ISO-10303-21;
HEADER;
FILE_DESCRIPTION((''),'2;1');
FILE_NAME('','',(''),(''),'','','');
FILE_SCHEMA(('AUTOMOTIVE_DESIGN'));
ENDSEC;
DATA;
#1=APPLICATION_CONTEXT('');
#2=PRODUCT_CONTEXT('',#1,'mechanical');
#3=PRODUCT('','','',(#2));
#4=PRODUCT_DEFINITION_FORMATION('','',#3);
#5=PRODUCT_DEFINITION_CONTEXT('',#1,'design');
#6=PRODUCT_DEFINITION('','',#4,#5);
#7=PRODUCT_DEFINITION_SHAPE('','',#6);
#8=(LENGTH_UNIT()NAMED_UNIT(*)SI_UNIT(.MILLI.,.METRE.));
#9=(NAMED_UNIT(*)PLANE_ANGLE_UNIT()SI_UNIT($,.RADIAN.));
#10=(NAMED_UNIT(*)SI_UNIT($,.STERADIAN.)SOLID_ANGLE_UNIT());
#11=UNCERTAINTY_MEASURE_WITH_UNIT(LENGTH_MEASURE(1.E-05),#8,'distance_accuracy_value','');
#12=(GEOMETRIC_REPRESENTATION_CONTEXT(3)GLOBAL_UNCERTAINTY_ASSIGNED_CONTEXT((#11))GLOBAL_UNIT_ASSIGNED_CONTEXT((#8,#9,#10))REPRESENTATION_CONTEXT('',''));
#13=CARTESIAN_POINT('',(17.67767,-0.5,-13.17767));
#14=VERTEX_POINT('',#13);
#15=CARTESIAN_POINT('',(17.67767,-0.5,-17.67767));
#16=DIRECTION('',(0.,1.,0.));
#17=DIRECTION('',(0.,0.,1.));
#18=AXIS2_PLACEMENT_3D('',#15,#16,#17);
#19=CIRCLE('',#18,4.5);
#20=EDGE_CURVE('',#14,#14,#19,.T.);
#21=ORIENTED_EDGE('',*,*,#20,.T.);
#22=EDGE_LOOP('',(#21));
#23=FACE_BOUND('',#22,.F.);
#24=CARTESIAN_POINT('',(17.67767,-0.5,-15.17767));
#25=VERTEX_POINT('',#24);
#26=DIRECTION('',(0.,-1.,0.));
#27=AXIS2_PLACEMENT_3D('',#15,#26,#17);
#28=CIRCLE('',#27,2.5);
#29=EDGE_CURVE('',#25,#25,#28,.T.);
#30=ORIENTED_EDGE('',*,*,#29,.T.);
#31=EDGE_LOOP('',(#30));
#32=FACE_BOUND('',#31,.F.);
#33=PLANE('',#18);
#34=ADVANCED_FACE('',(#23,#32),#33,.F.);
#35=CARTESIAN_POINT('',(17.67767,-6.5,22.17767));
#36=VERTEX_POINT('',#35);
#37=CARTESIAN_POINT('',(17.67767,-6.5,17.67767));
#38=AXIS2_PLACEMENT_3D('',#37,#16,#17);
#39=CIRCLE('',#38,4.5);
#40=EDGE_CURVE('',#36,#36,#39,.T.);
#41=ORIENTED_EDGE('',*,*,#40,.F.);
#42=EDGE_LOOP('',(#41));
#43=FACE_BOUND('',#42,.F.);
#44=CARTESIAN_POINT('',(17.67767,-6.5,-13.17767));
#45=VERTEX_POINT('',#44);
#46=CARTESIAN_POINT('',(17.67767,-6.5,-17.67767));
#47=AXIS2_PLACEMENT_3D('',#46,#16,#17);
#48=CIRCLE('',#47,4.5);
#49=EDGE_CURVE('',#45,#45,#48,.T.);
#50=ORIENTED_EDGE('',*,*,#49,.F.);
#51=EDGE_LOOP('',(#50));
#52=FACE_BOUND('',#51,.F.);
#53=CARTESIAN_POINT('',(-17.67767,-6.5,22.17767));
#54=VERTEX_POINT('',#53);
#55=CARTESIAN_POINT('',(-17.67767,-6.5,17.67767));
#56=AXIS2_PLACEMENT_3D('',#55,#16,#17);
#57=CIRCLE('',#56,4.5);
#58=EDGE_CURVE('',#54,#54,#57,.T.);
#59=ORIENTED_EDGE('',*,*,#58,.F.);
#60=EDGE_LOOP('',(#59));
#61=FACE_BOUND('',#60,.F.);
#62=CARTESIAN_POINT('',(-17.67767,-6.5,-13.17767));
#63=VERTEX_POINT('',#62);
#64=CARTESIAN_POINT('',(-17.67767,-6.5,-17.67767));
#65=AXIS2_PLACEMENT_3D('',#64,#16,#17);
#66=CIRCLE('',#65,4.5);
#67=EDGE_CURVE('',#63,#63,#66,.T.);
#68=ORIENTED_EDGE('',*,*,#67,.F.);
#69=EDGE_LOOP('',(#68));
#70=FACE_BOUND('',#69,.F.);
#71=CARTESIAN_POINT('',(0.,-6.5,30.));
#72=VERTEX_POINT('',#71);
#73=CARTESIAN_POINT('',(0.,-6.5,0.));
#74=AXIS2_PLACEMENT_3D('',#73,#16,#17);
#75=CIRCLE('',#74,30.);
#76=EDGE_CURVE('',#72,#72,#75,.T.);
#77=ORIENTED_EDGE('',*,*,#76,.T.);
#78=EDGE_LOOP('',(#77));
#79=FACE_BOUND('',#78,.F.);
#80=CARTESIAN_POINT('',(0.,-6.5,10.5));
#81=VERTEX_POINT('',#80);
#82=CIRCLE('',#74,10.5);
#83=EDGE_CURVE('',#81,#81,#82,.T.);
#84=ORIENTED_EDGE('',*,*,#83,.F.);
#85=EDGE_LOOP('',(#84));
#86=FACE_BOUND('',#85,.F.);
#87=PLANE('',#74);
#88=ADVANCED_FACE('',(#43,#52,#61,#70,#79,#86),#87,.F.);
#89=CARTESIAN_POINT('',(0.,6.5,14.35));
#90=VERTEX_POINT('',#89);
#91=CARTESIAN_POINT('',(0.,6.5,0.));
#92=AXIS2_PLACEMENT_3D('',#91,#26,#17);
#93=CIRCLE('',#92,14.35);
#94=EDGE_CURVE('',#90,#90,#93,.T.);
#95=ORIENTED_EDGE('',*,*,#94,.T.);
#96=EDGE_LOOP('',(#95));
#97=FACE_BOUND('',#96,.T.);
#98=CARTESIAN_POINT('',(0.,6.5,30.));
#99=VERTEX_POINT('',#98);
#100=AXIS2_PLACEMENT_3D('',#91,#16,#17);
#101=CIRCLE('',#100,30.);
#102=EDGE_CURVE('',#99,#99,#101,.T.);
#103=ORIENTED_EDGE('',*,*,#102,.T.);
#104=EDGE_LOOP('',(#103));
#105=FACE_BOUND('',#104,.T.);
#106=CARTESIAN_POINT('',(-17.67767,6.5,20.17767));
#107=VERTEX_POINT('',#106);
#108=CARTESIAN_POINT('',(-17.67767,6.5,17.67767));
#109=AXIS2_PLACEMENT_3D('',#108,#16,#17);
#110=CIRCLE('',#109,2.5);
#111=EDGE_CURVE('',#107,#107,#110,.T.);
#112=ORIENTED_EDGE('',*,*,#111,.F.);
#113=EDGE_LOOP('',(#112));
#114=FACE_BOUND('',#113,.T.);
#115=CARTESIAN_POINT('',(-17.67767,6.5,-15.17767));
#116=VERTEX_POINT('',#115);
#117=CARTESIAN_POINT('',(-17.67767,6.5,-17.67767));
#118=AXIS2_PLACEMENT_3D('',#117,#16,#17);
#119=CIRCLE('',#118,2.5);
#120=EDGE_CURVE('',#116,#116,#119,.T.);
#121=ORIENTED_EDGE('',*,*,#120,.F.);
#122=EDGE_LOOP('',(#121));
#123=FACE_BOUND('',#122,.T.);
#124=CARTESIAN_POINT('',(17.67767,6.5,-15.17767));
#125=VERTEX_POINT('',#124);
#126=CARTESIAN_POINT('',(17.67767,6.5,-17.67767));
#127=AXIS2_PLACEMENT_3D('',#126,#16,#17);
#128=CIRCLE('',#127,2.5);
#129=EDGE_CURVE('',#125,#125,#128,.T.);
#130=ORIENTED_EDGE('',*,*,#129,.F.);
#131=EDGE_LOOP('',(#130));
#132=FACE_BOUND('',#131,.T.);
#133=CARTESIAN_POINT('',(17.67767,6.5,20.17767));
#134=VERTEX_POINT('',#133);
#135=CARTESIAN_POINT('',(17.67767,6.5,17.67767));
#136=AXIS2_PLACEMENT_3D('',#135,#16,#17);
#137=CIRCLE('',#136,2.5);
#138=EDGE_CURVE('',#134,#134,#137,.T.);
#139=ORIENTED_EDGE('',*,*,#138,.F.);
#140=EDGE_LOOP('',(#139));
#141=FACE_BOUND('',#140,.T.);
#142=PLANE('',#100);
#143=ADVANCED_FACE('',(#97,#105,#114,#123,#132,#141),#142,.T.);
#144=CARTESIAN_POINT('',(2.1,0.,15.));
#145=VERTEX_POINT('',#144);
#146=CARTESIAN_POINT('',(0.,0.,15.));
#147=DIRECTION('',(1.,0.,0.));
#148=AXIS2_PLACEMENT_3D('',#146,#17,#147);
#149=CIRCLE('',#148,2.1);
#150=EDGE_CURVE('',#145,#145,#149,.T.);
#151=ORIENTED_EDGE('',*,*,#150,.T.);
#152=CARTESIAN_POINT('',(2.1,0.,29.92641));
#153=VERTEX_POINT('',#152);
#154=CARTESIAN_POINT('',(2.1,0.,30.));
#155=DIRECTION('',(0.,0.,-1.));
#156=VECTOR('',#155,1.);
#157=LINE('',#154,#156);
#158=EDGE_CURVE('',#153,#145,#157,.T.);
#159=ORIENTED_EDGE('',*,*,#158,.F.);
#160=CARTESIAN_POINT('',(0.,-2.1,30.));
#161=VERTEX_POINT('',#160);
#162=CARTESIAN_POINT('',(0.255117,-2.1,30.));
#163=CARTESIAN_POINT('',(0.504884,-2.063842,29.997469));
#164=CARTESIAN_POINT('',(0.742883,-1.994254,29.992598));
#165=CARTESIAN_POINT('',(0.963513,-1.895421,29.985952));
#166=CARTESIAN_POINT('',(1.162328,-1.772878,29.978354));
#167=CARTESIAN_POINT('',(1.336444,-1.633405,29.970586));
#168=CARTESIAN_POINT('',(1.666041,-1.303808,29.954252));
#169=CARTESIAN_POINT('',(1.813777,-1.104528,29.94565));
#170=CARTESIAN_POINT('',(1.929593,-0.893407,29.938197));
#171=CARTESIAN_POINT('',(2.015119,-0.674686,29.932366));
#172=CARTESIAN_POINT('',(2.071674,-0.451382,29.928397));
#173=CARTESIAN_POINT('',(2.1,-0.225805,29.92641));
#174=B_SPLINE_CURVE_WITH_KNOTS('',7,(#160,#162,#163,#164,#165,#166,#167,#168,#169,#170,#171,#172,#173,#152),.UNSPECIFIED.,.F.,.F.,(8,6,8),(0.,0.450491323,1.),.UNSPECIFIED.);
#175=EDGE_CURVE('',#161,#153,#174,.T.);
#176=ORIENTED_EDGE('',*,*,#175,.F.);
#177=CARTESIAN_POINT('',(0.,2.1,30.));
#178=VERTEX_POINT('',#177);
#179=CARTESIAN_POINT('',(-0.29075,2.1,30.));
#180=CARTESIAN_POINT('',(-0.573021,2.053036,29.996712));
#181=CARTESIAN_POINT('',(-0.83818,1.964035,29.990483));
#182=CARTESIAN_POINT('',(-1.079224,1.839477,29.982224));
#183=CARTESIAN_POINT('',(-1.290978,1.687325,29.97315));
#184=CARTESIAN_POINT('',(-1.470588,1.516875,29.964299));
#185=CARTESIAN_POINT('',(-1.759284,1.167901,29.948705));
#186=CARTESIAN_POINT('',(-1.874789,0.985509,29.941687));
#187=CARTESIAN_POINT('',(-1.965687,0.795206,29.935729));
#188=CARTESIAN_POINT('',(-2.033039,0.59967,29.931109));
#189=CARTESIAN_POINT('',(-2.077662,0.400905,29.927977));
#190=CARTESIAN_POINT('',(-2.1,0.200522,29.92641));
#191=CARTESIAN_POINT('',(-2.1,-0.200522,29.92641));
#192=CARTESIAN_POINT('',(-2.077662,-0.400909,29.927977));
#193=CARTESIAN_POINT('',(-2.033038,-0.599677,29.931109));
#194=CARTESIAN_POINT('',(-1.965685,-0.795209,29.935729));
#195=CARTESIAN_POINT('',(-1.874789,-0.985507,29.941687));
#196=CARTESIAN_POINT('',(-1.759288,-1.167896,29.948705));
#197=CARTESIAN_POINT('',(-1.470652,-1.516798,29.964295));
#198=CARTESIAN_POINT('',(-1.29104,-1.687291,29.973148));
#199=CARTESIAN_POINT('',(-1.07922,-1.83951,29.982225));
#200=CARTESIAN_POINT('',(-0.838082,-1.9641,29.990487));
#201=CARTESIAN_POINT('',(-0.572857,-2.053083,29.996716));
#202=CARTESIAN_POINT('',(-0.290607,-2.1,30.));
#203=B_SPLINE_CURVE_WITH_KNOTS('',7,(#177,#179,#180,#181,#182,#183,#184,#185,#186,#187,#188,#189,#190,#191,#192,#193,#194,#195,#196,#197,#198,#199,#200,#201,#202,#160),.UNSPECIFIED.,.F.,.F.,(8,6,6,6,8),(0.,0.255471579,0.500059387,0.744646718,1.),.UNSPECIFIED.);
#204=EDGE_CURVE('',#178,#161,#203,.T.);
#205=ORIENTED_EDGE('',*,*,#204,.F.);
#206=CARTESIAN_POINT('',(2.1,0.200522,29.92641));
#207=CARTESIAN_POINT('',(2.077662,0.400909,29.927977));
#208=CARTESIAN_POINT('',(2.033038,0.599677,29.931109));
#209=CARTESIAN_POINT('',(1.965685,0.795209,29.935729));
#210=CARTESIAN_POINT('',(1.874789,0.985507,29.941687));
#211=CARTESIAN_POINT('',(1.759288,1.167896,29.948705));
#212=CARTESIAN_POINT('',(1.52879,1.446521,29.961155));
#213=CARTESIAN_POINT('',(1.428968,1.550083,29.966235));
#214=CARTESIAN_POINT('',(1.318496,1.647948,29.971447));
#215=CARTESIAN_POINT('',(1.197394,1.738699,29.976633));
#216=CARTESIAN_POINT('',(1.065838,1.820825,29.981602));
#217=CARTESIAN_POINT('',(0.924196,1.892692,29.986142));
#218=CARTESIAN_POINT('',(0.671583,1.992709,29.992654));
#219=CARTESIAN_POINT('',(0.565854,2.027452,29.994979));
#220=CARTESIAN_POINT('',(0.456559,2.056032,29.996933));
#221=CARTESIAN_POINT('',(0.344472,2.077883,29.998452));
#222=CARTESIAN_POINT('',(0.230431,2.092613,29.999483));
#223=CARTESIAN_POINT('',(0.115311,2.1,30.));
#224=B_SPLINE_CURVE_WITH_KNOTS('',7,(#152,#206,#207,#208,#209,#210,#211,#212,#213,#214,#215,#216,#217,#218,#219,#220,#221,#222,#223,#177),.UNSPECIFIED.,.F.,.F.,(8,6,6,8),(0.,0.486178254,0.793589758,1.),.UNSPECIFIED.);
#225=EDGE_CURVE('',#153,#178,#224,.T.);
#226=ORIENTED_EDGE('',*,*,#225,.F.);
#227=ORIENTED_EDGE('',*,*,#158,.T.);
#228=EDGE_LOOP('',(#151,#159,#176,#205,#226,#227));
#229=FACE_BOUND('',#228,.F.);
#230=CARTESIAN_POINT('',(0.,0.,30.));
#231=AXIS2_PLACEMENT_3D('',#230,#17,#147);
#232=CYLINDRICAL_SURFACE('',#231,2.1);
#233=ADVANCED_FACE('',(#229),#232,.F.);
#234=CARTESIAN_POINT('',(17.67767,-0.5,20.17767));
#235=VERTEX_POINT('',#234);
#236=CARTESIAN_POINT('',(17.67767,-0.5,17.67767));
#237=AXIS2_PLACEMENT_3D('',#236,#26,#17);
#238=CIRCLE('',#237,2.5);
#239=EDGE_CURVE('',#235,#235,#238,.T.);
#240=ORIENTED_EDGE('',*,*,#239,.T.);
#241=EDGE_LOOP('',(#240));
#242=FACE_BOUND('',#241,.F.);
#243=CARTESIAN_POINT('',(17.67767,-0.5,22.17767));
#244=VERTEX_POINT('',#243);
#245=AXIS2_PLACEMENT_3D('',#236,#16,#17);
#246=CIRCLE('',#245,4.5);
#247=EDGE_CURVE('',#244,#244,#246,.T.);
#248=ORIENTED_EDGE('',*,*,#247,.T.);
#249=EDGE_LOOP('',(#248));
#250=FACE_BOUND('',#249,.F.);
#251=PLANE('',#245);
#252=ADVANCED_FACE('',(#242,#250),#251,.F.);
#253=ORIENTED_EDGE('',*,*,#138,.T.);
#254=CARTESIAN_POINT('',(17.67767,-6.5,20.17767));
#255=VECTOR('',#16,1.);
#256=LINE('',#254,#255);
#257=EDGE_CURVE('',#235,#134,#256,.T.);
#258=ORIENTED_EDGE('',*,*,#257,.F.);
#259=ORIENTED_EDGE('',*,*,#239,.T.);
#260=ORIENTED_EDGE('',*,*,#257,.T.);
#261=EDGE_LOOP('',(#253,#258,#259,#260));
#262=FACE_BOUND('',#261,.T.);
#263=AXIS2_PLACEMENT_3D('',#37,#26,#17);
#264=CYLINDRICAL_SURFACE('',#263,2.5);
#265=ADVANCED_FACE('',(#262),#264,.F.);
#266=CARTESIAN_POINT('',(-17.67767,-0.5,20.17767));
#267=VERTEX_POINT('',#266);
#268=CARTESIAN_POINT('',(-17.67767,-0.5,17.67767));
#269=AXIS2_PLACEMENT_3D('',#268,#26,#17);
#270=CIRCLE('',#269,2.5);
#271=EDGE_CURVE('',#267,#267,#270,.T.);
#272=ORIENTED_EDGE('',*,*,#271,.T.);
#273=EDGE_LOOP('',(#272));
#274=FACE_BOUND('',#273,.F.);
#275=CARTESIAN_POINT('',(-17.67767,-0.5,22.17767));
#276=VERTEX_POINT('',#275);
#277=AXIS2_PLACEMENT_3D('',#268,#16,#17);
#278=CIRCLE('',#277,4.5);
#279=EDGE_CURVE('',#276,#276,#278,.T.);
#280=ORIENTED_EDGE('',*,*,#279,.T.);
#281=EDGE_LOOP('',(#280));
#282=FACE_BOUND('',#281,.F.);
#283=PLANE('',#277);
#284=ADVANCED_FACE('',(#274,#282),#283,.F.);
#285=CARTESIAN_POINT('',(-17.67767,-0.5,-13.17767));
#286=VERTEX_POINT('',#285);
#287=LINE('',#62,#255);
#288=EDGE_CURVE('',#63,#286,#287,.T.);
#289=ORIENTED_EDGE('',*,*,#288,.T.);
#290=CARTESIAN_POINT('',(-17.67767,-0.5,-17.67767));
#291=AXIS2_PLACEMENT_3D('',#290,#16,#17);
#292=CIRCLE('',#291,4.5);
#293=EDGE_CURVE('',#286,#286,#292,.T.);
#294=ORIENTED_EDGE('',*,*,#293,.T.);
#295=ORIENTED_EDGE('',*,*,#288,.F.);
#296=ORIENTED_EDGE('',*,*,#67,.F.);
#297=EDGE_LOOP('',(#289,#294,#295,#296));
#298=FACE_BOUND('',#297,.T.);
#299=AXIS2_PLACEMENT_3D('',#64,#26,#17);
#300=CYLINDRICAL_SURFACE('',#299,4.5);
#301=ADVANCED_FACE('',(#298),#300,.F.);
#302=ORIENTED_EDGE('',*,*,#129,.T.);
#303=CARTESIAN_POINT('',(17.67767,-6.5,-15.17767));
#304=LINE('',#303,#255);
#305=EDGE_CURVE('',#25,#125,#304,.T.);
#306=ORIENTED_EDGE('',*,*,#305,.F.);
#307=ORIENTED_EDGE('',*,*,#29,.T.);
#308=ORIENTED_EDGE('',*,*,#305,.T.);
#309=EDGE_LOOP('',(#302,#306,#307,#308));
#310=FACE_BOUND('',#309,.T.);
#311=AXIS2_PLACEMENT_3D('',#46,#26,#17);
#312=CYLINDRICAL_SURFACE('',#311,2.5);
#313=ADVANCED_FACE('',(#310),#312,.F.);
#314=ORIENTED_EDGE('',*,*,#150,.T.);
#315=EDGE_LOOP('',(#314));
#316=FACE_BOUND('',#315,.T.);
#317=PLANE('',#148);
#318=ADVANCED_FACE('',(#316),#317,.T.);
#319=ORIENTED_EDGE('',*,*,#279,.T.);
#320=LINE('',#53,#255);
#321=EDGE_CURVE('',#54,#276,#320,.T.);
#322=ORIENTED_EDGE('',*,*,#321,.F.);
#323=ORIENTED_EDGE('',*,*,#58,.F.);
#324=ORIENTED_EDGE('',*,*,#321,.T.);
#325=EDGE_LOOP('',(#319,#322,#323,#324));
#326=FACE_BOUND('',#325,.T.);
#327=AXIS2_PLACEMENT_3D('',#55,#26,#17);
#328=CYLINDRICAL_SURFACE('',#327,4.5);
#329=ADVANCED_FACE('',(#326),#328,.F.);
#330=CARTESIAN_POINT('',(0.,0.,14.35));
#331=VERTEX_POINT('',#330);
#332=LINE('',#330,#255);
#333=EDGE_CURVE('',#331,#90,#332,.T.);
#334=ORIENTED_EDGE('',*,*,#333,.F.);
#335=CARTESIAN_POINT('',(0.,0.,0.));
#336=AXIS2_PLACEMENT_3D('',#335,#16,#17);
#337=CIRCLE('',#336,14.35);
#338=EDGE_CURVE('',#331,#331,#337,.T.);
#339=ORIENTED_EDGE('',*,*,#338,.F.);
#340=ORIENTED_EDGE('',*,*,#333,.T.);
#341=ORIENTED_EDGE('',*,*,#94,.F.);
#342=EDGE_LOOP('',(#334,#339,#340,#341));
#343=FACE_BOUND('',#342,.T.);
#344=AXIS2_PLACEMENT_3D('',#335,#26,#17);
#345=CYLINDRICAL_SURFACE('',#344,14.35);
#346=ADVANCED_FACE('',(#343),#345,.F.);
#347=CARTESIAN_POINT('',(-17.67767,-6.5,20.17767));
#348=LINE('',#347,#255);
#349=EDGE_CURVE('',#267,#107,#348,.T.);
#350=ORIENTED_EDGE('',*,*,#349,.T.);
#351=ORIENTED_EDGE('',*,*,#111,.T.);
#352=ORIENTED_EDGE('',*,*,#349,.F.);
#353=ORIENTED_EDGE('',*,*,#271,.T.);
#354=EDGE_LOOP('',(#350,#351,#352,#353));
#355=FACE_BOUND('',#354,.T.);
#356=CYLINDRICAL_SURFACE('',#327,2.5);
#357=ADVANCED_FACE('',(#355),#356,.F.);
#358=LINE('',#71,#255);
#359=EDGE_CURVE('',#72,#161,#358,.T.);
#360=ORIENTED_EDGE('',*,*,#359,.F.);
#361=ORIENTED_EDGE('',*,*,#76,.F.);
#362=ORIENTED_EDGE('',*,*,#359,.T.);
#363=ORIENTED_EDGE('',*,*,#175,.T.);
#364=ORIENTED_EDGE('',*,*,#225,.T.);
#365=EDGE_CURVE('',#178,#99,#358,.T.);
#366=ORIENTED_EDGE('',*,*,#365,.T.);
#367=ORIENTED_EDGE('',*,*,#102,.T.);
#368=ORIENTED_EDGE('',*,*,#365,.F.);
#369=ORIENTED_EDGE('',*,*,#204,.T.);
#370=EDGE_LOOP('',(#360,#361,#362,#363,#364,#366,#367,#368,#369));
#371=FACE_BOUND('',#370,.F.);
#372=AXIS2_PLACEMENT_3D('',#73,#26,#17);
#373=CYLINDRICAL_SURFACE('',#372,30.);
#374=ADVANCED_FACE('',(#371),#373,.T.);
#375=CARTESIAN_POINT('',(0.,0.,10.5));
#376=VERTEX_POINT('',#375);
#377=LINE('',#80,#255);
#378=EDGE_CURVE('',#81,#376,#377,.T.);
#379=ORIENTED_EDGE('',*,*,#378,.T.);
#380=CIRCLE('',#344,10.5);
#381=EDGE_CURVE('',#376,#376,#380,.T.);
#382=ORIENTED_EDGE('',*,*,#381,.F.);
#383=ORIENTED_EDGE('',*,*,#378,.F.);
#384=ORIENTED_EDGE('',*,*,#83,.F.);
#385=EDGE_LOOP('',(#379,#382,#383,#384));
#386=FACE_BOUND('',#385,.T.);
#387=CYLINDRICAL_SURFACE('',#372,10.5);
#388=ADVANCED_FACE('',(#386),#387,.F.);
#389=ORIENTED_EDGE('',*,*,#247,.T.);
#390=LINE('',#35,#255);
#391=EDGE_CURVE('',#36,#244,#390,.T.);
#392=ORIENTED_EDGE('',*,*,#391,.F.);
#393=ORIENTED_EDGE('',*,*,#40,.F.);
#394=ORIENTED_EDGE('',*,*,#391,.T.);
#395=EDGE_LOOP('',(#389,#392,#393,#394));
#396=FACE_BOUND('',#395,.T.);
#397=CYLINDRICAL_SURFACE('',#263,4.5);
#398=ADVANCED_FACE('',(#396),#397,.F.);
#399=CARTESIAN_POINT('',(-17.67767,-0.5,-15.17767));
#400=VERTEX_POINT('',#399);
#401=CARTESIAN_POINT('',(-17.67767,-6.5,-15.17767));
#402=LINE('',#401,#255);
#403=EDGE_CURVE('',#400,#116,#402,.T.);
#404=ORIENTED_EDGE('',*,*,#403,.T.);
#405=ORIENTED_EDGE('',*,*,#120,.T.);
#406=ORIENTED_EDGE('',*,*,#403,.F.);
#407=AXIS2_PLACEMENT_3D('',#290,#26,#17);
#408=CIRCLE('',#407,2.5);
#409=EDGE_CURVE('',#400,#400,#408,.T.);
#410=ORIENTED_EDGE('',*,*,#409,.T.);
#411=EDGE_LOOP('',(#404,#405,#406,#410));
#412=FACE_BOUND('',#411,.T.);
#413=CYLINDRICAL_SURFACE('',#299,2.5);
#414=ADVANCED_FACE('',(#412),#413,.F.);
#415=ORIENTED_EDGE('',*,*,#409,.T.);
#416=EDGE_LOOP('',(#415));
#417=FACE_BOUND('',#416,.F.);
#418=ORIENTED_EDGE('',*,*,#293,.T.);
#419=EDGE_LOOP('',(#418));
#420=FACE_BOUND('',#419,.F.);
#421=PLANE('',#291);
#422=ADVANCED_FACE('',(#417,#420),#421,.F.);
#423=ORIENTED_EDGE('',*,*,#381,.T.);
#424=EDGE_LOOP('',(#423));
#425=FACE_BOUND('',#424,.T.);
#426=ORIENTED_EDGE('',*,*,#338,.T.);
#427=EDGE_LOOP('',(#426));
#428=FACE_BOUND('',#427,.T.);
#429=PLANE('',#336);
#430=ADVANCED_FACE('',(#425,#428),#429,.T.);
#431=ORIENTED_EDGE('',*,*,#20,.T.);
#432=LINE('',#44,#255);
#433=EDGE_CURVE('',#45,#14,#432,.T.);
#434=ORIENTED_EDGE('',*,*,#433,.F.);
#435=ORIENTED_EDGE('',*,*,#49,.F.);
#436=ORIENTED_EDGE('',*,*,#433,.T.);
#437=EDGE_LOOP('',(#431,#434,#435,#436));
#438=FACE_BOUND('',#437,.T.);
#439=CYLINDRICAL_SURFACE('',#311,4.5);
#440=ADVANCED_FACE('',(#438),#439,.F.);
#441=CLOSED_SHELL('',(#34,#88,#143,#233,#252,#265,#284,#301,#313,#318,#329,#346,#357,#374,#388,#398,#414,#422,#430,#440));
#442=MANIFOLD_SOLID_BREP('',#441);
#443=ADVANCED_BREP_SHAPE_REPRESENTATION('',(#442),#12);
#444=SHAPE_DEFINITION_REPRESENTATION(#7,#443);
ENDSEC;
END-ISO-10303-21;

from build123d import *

# Parameters (mm, degrees)
BOSS_EXTRUDE1_DEPTH      = 6.5
BOSS_EXTRUDE1_DEPTH_BACK = 6.5
SKETCH1_R                = 30
SKETCH1_R_2              = 10.5
SKETCH1_R_3              = 2.5
SKETCH2_R                = 14.35
CUT_EXTRUDE1_DEPTH       = 7.9375
CUT_EXTRUDE3_START       = -6.5
SKETCH3_R                = 4.5
CUT_EXTRUDE3_DEPTH       = 6
CUT_EXTRUDE4_START       = 30
SKETCH4_R                = 2.1
CUT_EXTRUDE4_DEPTH       = 15


with BuildPart() as part:
    # Sketch1 → Boss-Extrude1 (new, two sides: drawn at the far end of the back side and taken through both)
    with BuildSketch(Plane(origin=(0, 0, 0), x_dir=(1, 0, 0), z_dir=(0, 1, 0)).offset(-BOSS_EXTRUDE1_DEPTH_BACK)):
        with Locations(Location((0, 0, 0), (0, 0, 270))):
            Circle(SKETCH1_R)
        with Locations(Location((0, 0, 0), (0, 0, 270))):
            Circle(SKETCH1_R_2, mode=Mode.SUBTRACT)
        with Locations(Location((17.67766953, 17.67766953, 0), (0, 0, 270))):
            Circle(SKETCH1_R_3, mode=Mode.SUBTRACT)
        with Locations(Location((17.67766953, -17.67766953, 0), (0, 0, 270))):
            Circle(SKETCH1_R_3, mode=Mode.SUBTRACT)
        with Locations(Location((-17.67766953, -17.67766953, 0), (0, 0, 270))):
            Circle(SKETCH1_R_3, mode=Mode.SUBTRACT)
        with Locations(Location((-17.67766953, 17.67766953, 0), (0, 0, 270))):
            Circle(SKETCH1_R_3, mode=Mode.SUBTRACT)
    extrude(amount=BOSS_EXTRUDE1_DEPTH + BOSS_EXTRUDE1_DEPTH_BACK)

    # Sketch2 → Cut-Extrude1 (cut)
    with BuildSketch(Plane(origin=(0, 0, 0), x_dir=(1, 0, 0), z_dir=(0, 1, 0))):
        with Locations(Location((0, 0, 0), (0, 0, 270))):
            Circle(SKETCH2_R)
    extrude(amount=CUT_EXTRUDE1_DEPTH, mode=Mode.SUBTRACT)

    # Sketch3 → Cut-Extrude3 (cut)
    with BuildSketch(Plane(origin=(0, 0, 0), x_dir=(1, 0, 0), z_dir=(0, 1, 0)).offset(CUT_EXTRUDE3_START)):
        with Locations(Location((17.67766953, 17.67766953, 0), (0, 0, 270))):
            Circle(SKETCH3_R)
        with Locations(Location((17.67766953, -17.67766953, 0), (0, 0, 270))):
            Circle(SKETCH3_R)
        with Locations(Location((-17.67766953, -17.67766953, 0), (0, 0, 270))):
            Circle(SKETCH3_R)
        with Locations(Location((-17.67766953, 17.67766953, 0), (0, 0, 270))):
            Circle(SKETCH3_R)
    extrude(amount=CUT_EXTRUDE3_DEPTH, mode=Mode.SUBTRACT)

    # Sketch4 → Cut-Extrude4 (cut)
    with BuildSketch(Plane.XY.offset(CUT_EXTRUDE4_START)):
        Circle(SKETCH4_R)
    extrude(amount=-CUT_EXTRUDE4_DEPTH, mode=Mode.SUBTRACT)


solid = part.part
